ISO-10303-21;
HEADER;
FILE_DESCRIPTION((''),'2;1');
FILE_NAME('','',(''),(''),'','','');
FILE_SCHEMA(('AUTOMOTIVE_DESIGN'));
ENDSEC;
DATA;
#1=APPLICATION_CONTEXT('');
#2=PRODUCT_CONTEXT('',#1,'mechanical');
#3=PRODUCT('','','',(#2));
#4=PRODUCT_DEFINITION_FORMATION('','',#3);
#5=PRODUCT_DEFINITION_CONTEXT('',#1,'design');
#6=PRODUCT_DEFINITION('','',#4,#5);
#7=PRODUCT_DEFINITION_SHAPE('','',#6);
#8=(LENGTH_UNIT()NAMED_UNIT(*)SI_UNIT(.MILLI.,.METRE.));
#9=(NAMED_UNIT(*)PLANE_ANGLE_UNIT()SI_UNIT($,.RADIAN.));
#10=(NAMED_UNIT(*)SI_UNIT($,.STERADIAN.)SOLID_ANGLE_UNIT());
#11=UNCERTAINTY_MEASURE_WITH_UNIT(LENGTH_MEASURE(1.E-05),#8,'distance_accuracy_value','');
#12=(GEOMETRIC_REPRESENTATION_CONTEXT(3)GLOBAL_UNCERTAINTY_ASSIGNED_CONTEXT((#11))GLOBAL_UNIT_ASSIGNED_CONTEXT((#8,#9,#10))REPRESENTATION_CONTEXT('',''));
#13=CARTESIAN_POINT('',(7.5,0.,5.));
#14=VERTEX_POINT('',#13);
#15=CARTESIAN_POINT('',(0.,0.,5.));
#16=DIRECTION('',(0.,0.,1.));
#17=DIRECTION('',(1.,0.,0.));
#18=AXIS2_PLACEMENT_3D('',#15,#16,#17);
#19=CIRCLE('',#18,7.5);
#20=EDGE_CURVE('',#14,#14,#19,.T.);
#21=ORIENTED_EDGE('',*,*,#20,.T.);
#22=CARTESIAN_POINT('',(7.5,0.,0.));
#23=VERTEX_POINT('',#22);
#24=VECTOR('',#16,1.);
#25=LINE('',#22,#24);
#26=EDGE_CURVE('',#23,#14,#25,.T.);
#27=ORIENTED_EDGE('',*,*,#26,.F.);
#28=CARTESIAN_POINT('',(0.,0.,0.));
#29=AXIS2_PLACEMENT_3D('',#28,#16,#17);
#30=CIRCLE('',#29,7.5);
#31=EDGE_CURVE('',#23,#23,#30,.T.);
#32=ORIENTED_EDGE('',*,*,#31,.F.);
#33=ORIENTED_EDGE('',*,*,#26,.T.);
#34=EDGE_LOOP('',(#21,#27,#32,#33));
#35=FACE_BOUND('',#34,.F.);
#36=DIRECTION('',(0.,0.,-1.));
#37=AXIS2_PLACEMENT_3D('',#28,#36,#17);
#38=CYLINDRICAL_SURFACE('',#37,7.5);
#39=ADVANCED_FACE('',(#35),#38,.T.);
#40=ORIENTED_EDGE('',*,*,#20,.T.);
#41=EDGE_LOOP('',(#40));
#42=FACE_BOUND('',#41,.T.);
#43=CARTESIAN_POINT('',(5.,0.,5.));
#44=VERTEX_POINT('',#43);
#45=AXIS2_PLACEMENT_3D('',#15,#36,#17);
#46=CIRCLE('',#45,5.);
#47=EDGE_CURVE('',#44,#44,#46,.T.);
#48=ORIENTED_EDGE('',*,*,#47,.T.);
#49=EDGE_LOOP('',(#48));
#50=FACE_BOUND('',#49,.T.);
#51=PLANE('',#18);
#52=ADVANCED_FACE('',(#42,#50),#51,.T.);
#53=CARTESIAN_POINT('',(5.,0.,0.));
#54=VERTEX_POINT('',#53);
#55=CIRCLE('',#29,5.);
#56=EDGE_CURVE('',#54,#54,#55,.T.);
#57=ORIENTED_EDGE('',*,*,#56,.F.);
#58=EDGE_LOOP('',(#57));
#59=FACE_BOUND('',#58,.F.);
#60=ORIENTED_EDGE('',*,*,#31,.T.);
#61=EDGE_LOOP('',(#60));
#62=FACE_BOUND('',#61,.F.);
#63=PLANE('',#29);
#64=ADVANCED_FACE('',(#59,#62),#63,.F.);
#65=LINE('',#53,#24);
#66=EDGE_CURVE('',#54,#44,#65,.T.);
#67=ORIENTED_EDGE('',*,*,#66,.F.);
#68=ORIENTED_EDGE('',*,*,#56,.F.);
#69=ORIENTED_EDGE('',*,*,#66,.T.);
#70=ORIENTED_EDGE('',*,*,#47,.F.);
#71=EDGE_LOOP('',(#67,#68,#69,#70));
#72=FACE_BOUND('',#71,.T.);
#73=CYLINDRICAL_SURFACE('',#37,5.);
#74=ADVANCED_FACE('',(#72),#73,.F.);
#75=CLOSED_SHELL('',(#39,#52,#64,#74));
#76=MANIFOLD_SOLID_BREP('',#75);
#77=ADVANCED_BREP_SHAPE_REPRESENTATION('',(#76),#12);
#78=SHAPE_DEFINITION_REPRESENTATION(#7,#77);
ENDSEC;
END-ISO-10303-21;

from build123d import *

# Parameters (mm, degrees)
CYLINDER048_R     = 5
CYLINDER048_DEPTH = 10
CYLINDER049_R     = 7.5
CYLINDER049_DEPTH = 5


with BuildPart() as cylinder048:
    # Cylinder048 → Cylinder048 (new body)
    with BuildSketch(Plane.XY):
        Circle(CYLINDER048_R)
    extrude(amount=CYLINDER048_DEPTH)


with BuildPart() as autoblocantem10:
    # Cylinder049 → Cylinder049 (new body)
    with BuildSketch(Plane.XY):
        Circle(CYLINDER049_R)
    extrude(amount=CYLINDER049_DEPTH)

    # Cut004037: cut Cylinder048
    add(cylinder048.part, mode=Mode.SUBTRACT)


solid = autoblocantem10.part
